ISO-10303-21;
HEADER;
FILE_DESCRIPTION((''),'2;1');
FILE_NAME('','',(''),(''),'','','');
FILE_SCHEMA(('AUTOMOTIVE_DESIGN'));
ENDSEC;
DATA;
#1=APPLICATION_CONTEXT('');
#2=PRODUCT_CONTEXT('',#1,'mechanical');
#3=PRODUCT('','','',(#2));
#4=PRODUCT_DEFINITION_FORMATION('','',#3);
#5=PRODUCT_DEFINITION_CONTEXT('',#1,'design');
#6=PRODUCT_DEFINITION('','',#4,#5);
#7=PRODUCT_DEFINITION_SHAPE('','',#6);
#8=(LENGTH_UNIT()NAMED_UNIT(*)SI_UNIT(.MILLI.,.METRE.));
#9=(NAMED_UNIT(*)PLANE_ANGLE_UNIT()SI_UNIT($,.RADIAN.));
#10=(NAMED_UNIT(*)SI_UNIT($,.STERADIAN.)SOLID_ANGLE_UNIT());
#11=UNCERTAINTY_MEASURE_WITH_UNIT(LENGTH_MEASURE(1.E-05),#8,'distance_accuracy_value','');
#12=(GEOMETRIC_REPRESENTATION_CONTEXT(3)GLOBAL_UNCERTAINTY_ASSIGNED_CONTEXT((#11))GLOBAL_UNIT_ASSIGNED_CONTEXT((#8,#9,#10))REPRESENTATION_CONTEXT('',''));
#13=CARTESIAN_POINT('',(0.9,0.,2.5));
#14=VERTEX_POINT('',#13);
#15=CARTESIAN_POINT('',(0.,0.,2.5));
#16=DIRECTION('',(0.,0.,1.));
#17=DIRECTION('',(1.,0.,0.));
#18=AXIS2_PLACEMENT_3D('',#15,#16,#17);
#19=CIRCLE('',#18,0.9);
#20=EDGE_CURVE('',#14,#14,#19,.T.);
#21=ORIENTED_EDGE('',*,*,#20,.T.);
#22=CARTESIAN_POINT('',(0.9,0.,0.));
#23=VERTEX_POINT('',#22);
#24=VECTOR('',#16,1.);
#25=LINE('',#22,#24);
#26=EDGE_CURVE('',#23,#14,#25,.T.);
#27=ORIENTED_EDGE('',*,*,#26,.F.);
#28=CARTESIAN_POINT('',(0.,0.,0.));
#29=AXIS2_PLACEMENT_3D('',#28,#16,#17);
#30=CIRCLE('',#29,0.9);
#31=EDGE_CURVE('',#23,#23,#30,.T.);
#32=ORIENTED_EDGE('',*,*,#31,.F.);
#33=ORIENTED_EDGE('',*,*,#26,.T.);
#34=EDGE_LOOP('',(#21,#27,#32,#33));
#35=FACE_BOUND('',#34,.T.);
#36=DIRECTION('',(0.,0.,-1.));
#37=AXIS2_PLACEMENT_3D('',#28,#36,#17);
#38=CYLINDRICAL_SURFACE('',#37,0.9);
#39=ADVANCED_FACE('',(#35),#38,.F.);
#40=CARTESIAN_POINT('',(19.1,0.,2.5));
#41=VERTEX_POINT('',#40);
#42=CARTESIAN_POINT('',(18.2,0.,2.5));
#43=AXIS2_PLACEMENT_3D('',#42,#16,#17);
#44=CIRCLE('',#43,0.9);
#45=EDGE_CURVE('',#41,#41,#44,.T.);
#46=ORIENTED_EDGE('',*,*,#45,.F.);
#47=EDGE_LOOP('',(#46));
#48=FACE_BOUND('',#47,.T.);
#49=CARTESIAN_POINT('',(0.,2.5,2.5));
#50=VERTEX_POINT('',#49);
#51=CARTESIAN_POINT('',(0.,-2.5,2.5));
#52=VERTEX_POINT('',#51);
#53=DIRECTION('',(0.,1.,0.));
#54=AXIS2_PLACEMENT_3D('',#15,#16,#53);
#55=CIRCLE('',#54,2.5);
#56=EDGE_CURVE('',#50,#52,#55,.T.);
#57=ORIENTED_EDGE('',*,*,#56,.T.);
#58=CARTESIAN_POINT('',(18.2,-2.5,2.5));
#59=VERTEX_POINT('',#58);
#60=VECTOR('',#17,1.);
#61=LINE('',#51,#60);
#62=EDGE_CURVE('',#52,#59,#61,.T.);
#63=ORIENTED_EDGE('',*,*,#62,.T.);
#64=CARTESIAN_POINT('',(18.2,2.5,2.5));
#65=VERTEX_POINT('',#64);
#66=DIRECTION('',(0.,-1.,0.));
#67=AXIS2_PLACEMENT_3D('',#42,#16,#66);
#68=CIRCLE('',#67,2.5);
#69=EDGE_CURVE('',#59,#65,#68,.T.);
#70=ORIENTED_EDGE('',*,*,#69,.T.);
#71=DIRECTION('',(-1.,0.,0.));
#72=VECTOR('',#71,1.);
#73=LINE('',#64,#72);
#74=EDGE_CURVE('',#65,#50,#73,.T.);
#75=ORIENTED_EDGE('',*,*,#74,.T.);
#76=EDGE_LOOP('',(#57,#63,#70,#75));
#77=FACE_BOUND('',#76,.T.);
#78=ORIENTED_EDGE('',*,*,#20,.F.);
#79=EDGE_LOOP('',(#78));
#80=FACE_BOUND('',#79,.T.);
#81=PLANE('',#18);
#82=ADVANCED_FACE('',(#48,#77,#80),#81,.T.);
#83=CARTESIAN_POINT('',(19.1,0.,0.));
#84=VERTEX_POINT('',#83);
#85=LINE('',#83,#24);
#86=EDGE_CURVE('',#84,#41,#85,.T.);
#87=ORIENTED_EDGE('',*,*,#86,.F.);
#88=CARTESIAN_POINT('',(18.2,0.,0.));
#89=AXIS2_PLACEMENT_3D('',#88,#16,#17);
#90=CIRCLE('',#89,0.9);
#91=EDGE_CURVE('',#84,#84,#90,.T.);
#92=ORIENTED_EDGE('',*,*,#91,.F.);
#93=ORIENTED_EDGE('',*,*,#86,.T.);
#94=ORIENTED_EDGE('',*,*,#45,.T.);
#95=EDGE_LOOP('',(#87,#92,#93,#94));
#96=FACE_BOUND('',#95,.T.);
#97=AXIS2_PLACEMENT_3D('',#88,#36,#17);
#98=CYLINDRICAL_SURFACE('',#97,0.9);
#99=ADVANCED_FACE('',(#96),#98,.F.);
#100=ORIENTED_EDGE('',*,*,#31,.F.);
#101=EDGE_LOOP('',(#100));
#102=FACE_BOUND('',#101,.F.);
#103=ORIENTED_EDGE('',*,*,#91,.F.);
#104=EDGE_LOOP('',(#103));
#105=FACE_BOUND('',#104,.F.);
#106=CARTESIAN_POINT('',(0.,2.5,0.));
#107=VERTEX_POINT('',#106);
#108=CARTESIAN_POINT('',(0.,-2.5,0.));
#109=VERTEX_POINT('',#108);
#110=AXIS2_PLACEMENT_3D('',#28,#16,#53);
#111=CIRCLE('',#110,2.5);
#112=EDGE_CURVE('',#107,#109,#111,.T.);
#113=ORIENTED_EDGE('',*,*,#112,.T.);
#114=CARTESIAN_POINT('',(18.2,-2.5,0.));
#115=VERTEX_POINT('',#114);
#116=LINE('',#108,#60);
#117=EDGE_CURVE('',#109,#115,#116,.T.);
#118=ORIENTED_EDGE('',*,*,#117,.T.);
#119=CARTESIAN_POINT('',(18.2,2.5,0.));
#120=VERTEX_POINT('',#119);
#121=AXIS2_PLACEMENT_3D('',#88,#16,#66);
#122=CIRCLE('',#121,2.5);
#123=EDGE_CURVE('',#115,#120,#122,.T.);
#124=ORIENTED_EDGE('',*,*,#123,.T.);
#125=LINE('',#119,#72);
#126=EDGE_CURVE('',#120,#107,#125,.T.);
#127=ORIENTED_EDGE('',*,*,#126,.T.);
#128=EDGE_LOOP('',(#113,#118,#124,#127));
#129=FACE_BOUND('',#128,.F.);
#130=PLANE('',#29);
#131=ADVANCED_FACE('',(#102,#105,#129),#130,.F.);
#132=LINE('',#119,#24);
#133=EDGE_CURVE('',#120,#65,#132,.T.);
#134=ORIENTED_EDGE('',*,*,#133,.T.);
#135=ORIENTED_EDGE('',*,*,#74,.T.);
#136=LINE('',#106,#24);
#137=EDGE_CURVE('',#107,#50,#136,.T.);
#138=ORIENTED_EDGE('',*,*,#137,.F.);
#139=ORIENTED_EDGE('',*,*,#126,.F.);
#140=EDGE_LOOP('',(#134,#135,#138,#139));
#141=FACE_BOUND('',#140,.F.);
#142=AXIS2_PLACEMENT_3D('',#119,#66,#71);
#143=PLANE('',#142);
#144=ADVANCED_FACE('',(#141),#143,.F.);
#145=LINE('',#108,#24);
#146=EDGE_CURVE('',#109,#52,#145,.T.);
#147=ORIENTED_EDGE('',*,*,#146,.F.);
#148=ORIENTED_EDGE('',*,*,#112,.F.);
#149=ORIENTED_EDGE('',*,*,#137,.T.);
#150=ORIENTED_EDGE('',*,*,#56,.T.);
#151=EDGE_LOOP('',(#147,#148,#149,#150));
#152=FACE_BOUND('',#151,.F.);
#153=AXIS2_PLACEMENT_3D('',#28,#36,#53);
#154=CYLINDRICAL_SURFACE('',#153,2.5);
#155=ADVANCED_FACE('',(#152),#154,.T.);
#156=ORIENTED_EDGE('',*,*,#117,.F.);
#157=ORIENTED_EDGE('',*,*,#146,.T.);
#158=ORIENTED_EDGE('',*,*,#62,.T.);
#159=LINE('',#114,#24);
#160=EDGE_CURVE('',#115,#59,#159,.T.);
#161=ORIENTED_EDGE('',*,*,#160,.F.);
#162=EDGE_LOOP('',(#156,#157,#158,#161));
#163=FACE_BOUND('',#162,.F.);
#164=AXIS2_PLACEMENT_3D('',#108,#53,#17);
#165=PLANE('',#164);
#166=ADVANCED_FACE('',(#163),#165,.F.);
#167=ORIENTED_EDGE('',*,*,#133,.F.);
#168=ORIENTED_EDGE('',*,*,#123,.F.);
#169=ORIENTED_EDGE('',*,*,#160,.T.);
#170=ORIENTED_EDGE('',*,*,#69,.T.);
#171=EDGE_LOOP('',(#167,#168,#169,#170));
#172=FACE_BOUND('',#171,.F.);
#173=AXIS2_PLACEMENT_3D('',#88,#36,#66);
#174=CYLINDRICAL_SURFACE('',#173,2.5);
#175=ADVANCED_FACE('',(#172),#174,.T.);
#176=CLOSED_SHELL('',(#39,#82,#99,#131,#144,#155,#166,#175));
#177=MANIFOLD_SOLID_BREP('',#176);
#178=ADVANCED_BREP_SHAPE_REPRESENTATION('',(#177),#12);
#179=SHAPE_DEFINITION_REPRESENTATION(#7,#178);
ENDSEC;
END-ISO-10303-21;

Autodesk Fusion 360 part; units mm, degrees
sketch "Sketch1" plane through (0, 0, 0) normal (0, 0, 1) x (1, 0, 0)
  line L0 (0, -2.5) -> (18.2, -2.5)
  arc A0 (18.2, -2.5) -> (18.2, 2.5) centre (18.2, 0) ccw
  line L1 (18.2, 2.5) -> (0, 2.5)
  arc A1 (0, 2.5) -> (0, -2.5) centre (0, 0) ccw
  line L2 (0, 0) -> (18.2, 0) construction
  circle A2 centre (0, 0) radius 0.9
  circle A3 centre (18.2, 0) radius 0.9
  dimension "d1" = 18.2
  dimension "d2" = 1.8
  dimension "d3" = 1.8
  dimension "d4" = 2.5
extrude "Extrude1" add sketch "Sketch1" along normal blind 2.5
